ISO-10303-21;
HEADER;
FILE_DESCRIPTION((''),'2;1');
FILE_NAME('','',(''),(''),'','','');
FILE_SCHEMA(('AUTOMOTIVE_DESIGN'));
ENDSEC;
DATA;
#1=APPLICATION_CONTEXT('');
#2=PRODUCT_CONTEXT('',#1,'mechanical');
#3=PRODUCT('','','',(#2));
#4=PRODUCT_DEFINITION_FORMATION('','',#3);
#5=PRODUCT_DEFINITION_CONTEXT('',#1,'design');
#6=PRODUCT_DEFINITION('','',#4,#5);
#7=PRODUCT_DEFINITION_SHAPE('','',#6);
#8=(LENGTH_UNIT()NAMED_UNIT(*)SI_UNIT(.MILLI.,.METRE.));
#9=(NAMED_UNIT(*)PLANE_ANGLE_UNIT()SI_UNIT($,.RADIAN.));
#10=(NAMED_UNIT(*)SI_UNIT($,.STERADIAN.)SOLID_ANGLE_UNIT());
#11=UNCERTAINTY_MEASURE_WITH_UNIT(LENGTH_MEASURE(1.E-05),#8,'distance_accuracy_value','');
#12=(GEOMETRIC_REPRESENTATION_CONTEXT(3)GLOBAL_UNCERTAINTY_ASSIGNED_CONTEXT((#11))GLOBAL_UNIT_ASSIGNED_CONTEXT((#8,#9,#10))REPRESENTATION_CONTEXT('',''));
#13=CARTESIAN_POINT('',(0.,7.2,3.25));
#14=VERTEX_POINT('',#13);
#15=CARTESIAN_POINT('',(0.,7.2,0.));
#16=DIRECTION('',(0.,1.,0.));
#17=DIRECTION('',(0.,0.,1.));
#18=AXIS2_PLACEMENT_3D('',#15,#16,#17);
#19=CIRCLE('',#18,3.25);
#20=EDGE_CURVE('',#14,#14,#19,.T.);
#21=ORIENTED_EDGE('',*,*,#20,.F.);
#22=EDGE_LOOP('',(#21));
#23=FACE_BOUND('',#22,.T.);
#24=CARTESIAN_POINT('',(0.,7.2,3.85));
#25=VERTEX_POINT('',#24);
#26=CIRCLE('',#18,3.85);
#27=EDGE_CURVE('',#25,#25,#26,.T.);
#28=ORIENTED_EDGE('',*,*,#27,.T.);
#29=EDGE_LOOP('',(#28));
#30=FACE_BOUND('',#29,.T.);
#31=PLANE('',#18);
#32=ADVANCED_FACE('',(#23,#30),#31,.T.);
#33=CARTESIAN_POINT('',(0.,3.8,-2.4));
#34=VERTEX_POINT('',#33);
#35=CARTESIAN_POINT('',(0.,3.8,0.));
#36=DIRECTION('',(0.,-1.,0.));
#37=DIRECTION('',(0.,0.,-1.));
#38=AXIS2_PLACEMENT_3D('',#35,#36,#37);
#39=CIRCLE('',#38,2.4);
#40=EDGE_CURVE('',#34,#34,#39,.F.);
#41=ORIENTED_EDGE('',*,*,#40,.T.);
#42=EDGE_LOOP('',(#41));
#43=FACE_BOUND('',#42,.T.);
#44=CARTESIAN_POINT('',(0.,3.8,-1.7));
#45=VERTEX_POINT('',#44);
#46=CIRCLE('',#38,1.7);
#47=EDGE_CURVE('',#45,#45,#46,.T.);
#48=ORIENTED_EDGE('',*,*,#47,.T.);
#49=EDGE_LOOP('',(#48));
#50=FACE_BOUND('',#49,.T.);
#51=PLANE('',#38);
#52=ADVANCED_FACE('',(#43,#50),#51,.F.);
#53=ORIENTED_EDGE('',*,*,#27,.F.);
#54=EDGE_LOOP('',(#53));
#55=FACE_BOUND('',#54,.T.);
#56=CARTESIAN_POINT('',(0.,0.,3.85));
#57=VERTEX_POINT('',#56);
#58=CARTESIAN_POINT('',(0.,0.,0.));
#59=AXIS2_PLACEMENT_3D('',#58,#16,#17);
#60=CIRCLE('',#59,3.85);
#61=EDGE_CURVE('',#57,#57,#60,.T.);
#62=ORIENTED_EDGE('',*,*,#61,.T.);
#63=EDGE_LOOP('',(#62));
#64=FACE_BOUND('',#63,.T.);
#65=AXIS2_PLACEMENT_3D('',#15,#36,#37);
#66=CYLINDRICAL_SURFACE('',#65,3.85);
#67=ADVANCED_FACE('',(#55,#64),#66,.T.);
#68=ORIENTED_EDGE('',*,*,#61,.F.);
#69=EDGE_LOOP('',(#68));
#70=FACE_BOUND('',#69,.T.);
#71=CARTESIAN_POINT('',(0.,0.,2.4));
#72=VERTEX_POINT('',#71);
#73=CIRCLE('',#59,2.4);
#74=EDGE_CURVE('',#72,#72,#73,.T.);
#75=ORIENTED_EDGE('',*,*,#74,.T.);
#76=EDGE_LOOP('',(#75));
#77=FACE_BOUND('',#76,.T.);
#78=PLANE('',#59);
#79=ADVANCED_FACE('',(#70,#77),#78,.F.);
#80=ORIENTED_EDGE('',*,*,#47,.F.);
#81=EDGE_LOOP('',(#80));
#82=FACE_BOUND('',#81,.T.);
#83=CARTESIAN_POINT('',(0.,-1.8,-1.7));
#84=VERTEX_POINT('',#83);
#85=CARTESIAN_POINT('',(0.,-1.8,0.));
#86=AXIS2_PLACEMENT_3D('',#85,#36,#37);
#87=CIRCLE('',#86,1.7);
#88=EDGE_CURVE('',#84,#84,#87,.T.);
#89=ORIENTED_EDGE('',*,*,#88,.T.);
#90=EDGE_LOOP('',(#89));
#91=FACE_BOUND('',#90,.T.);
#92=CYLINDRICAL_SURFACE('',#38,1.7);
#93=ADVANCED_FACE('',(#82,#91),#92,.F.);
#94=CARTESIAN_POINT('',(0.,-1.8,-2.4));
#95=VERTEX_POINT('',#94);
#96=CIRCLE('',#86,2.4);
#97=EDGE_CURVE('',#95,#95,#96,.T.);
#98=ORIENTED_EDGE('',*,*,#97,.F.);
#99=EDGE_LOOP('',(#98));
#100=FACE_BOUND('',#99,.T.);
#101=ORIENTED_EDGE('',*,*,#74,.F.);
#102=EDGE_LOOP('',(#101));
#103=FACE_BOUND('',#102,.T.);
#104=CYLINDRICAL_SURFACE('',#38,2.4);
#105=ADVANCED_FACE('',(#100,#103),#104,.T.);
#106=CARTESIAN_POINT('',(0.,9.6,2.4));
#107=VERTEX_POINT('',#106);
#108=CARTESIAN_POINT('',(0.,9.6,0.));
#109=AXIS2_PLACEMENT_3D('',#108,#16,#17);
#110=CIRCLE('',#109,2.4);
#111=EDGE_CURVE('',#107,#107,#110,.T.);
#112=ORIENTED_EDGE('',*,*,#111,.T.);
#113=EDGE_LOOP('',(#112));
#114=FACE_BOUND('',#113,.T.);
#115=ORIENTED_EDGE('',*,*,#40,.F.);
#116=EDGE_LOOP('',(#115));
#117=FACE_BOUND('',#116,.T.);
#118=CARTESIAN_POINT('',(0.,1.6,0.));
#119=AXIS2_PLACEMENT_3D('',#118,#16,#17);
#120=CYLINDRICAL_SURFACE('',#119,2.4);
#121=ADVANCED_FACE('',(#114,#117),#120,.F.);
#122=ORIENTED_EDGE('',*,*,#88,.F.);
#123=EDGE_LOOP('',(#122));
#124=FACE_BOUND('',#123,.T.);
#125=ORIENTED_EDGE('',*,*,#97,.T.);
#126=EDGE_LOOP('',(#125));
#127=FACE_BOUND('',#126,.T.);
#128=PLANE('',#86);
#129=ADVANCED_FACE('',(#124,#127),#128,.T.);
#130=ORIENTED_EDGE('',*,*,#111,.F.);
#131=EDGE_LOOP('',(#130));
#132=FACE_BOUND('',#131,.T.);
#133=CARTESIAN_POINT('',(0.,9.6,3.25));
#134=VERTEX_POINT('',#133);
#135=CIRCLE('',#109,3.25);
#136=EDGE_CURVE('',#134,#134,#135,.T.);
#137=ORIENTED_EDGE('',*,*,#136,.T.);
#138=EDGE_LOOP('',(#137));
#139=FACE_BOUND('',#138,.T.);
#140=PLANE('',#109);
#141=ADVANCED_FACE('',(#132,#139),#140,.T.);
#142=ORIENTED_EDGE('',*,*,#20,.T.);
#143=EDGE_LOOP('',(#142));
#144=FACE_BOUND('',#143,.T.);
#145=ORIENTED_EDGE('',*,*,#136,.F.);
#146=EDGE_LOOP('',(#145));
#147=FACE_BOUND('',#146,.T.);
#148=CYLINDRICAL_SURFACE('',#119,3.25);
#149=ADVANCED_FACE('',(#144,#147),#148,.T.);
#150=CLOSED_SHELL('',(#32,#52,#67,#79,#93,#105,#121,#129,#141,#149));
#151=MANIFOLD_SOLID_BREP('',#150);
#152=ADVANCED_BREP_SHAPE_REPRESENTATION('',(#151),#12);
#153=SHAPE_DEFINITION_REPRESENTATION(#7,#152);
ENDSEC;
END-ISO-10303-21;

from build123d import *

# Parameters (mm, degrees)
SKETCH1_R           = 3.85
BOSS_EXTRUDE1_DEPTH = 7.2
SKETCH3_R           = 3.25
SKETCH3_R_2         = 2.4
BOSS_EXTRUDE2_DEPTH = 8
SKETCH4_R           = 2.4
CUT_EXTRUDE2_DEPTH  = 5.6
BOSS_EXTRUDE3_START = -5.6
SKETCH5_R           = 2.4
SKETCH5_R_2         = 1.7
BOSS_EXTRUDE3_DEPTH = 5.6
SKETCH6_R           = 1.7
CUT_EXTRUDE3_DEPTH  = 12.036530252


with BuildPart() as part:
    # Sketch1 → Boss-Extrude1 (new body)
    with BuildSketch(Plane(origin=(0, 0, 0), x_dir=(1, 0, 0), z_dir=(0, 1, 0))):
        with Locations(Location((0, 0, 0), (0, 0, 270))):
            Circle(SKETCH1_R)
    extrude(amount=BOSS_EXTRUDE1_DEPTH)

    # Sketch3 → Boss-Extrude2 (add)
    with BuildSketch(Plane(origin=(0, 9.6, 0), x_dir=(1, 0, 0), z_dir=(0, 1, 0))):
        with Locations(Location((0, 0, 0), (0, 0, 270))):
            Circle(SKETCH3_R)
        with Locations(Location((0, 0, 0), (0, 0, 270))):
            Circle(SKETCH3_R_2, mode=Mode.SUBTRACT)
    extrude(amount=-BOSS_EXTRUDE2_DEPTH)

    # Sketch4 → Cut-Extrude2 (cut)
    with BuildSketch(Plane(origin=(0, 7.2, 0), x_dir=(1, 0, 0), z_dir=(0, 1, 0))):
        with Locations(Location((0, 0, 0), (0, 0, 270))):
            Circle(SKETCH4_R)
    extrude(amount=-CUT_EXTRUDE2_DEPTH, mode=Mode.SUBTRACT)

    # Sketch5 → Boss-Extrude3 (add)
    with BuildSketch(Plane(origin=(0, -1.8, 0), x_dir=(-1, 0, 0), z_dir=(0, -1, 0)).offset(BOSS_EXTRUDE3_START)):
        with Locations(Location((0, 0, 0), (0, 0, 270))):
            Circle(SKETCH5_R)
        with Locations(Location((0, 0, 0), (0, 0, 90))):
            Circle(SKETCH5_R_2, mode=Mode.SUBTRACT)
    extrude(amount=BOSS_EXTRUDE3_DEPTH)

    # Sketch6 → Cut-Extrude3 (cut, through all)
    with BuildSketch(Plane.XZ):
        with Locations(Location((0, 0, 0), (0, 0, 270))):
            Circle(SKETCH6_R)
    extrude(amount=-CUT_EXTRUDE3_DEPTH, mode=Mode.SUBTRACT)


solid = part.part
